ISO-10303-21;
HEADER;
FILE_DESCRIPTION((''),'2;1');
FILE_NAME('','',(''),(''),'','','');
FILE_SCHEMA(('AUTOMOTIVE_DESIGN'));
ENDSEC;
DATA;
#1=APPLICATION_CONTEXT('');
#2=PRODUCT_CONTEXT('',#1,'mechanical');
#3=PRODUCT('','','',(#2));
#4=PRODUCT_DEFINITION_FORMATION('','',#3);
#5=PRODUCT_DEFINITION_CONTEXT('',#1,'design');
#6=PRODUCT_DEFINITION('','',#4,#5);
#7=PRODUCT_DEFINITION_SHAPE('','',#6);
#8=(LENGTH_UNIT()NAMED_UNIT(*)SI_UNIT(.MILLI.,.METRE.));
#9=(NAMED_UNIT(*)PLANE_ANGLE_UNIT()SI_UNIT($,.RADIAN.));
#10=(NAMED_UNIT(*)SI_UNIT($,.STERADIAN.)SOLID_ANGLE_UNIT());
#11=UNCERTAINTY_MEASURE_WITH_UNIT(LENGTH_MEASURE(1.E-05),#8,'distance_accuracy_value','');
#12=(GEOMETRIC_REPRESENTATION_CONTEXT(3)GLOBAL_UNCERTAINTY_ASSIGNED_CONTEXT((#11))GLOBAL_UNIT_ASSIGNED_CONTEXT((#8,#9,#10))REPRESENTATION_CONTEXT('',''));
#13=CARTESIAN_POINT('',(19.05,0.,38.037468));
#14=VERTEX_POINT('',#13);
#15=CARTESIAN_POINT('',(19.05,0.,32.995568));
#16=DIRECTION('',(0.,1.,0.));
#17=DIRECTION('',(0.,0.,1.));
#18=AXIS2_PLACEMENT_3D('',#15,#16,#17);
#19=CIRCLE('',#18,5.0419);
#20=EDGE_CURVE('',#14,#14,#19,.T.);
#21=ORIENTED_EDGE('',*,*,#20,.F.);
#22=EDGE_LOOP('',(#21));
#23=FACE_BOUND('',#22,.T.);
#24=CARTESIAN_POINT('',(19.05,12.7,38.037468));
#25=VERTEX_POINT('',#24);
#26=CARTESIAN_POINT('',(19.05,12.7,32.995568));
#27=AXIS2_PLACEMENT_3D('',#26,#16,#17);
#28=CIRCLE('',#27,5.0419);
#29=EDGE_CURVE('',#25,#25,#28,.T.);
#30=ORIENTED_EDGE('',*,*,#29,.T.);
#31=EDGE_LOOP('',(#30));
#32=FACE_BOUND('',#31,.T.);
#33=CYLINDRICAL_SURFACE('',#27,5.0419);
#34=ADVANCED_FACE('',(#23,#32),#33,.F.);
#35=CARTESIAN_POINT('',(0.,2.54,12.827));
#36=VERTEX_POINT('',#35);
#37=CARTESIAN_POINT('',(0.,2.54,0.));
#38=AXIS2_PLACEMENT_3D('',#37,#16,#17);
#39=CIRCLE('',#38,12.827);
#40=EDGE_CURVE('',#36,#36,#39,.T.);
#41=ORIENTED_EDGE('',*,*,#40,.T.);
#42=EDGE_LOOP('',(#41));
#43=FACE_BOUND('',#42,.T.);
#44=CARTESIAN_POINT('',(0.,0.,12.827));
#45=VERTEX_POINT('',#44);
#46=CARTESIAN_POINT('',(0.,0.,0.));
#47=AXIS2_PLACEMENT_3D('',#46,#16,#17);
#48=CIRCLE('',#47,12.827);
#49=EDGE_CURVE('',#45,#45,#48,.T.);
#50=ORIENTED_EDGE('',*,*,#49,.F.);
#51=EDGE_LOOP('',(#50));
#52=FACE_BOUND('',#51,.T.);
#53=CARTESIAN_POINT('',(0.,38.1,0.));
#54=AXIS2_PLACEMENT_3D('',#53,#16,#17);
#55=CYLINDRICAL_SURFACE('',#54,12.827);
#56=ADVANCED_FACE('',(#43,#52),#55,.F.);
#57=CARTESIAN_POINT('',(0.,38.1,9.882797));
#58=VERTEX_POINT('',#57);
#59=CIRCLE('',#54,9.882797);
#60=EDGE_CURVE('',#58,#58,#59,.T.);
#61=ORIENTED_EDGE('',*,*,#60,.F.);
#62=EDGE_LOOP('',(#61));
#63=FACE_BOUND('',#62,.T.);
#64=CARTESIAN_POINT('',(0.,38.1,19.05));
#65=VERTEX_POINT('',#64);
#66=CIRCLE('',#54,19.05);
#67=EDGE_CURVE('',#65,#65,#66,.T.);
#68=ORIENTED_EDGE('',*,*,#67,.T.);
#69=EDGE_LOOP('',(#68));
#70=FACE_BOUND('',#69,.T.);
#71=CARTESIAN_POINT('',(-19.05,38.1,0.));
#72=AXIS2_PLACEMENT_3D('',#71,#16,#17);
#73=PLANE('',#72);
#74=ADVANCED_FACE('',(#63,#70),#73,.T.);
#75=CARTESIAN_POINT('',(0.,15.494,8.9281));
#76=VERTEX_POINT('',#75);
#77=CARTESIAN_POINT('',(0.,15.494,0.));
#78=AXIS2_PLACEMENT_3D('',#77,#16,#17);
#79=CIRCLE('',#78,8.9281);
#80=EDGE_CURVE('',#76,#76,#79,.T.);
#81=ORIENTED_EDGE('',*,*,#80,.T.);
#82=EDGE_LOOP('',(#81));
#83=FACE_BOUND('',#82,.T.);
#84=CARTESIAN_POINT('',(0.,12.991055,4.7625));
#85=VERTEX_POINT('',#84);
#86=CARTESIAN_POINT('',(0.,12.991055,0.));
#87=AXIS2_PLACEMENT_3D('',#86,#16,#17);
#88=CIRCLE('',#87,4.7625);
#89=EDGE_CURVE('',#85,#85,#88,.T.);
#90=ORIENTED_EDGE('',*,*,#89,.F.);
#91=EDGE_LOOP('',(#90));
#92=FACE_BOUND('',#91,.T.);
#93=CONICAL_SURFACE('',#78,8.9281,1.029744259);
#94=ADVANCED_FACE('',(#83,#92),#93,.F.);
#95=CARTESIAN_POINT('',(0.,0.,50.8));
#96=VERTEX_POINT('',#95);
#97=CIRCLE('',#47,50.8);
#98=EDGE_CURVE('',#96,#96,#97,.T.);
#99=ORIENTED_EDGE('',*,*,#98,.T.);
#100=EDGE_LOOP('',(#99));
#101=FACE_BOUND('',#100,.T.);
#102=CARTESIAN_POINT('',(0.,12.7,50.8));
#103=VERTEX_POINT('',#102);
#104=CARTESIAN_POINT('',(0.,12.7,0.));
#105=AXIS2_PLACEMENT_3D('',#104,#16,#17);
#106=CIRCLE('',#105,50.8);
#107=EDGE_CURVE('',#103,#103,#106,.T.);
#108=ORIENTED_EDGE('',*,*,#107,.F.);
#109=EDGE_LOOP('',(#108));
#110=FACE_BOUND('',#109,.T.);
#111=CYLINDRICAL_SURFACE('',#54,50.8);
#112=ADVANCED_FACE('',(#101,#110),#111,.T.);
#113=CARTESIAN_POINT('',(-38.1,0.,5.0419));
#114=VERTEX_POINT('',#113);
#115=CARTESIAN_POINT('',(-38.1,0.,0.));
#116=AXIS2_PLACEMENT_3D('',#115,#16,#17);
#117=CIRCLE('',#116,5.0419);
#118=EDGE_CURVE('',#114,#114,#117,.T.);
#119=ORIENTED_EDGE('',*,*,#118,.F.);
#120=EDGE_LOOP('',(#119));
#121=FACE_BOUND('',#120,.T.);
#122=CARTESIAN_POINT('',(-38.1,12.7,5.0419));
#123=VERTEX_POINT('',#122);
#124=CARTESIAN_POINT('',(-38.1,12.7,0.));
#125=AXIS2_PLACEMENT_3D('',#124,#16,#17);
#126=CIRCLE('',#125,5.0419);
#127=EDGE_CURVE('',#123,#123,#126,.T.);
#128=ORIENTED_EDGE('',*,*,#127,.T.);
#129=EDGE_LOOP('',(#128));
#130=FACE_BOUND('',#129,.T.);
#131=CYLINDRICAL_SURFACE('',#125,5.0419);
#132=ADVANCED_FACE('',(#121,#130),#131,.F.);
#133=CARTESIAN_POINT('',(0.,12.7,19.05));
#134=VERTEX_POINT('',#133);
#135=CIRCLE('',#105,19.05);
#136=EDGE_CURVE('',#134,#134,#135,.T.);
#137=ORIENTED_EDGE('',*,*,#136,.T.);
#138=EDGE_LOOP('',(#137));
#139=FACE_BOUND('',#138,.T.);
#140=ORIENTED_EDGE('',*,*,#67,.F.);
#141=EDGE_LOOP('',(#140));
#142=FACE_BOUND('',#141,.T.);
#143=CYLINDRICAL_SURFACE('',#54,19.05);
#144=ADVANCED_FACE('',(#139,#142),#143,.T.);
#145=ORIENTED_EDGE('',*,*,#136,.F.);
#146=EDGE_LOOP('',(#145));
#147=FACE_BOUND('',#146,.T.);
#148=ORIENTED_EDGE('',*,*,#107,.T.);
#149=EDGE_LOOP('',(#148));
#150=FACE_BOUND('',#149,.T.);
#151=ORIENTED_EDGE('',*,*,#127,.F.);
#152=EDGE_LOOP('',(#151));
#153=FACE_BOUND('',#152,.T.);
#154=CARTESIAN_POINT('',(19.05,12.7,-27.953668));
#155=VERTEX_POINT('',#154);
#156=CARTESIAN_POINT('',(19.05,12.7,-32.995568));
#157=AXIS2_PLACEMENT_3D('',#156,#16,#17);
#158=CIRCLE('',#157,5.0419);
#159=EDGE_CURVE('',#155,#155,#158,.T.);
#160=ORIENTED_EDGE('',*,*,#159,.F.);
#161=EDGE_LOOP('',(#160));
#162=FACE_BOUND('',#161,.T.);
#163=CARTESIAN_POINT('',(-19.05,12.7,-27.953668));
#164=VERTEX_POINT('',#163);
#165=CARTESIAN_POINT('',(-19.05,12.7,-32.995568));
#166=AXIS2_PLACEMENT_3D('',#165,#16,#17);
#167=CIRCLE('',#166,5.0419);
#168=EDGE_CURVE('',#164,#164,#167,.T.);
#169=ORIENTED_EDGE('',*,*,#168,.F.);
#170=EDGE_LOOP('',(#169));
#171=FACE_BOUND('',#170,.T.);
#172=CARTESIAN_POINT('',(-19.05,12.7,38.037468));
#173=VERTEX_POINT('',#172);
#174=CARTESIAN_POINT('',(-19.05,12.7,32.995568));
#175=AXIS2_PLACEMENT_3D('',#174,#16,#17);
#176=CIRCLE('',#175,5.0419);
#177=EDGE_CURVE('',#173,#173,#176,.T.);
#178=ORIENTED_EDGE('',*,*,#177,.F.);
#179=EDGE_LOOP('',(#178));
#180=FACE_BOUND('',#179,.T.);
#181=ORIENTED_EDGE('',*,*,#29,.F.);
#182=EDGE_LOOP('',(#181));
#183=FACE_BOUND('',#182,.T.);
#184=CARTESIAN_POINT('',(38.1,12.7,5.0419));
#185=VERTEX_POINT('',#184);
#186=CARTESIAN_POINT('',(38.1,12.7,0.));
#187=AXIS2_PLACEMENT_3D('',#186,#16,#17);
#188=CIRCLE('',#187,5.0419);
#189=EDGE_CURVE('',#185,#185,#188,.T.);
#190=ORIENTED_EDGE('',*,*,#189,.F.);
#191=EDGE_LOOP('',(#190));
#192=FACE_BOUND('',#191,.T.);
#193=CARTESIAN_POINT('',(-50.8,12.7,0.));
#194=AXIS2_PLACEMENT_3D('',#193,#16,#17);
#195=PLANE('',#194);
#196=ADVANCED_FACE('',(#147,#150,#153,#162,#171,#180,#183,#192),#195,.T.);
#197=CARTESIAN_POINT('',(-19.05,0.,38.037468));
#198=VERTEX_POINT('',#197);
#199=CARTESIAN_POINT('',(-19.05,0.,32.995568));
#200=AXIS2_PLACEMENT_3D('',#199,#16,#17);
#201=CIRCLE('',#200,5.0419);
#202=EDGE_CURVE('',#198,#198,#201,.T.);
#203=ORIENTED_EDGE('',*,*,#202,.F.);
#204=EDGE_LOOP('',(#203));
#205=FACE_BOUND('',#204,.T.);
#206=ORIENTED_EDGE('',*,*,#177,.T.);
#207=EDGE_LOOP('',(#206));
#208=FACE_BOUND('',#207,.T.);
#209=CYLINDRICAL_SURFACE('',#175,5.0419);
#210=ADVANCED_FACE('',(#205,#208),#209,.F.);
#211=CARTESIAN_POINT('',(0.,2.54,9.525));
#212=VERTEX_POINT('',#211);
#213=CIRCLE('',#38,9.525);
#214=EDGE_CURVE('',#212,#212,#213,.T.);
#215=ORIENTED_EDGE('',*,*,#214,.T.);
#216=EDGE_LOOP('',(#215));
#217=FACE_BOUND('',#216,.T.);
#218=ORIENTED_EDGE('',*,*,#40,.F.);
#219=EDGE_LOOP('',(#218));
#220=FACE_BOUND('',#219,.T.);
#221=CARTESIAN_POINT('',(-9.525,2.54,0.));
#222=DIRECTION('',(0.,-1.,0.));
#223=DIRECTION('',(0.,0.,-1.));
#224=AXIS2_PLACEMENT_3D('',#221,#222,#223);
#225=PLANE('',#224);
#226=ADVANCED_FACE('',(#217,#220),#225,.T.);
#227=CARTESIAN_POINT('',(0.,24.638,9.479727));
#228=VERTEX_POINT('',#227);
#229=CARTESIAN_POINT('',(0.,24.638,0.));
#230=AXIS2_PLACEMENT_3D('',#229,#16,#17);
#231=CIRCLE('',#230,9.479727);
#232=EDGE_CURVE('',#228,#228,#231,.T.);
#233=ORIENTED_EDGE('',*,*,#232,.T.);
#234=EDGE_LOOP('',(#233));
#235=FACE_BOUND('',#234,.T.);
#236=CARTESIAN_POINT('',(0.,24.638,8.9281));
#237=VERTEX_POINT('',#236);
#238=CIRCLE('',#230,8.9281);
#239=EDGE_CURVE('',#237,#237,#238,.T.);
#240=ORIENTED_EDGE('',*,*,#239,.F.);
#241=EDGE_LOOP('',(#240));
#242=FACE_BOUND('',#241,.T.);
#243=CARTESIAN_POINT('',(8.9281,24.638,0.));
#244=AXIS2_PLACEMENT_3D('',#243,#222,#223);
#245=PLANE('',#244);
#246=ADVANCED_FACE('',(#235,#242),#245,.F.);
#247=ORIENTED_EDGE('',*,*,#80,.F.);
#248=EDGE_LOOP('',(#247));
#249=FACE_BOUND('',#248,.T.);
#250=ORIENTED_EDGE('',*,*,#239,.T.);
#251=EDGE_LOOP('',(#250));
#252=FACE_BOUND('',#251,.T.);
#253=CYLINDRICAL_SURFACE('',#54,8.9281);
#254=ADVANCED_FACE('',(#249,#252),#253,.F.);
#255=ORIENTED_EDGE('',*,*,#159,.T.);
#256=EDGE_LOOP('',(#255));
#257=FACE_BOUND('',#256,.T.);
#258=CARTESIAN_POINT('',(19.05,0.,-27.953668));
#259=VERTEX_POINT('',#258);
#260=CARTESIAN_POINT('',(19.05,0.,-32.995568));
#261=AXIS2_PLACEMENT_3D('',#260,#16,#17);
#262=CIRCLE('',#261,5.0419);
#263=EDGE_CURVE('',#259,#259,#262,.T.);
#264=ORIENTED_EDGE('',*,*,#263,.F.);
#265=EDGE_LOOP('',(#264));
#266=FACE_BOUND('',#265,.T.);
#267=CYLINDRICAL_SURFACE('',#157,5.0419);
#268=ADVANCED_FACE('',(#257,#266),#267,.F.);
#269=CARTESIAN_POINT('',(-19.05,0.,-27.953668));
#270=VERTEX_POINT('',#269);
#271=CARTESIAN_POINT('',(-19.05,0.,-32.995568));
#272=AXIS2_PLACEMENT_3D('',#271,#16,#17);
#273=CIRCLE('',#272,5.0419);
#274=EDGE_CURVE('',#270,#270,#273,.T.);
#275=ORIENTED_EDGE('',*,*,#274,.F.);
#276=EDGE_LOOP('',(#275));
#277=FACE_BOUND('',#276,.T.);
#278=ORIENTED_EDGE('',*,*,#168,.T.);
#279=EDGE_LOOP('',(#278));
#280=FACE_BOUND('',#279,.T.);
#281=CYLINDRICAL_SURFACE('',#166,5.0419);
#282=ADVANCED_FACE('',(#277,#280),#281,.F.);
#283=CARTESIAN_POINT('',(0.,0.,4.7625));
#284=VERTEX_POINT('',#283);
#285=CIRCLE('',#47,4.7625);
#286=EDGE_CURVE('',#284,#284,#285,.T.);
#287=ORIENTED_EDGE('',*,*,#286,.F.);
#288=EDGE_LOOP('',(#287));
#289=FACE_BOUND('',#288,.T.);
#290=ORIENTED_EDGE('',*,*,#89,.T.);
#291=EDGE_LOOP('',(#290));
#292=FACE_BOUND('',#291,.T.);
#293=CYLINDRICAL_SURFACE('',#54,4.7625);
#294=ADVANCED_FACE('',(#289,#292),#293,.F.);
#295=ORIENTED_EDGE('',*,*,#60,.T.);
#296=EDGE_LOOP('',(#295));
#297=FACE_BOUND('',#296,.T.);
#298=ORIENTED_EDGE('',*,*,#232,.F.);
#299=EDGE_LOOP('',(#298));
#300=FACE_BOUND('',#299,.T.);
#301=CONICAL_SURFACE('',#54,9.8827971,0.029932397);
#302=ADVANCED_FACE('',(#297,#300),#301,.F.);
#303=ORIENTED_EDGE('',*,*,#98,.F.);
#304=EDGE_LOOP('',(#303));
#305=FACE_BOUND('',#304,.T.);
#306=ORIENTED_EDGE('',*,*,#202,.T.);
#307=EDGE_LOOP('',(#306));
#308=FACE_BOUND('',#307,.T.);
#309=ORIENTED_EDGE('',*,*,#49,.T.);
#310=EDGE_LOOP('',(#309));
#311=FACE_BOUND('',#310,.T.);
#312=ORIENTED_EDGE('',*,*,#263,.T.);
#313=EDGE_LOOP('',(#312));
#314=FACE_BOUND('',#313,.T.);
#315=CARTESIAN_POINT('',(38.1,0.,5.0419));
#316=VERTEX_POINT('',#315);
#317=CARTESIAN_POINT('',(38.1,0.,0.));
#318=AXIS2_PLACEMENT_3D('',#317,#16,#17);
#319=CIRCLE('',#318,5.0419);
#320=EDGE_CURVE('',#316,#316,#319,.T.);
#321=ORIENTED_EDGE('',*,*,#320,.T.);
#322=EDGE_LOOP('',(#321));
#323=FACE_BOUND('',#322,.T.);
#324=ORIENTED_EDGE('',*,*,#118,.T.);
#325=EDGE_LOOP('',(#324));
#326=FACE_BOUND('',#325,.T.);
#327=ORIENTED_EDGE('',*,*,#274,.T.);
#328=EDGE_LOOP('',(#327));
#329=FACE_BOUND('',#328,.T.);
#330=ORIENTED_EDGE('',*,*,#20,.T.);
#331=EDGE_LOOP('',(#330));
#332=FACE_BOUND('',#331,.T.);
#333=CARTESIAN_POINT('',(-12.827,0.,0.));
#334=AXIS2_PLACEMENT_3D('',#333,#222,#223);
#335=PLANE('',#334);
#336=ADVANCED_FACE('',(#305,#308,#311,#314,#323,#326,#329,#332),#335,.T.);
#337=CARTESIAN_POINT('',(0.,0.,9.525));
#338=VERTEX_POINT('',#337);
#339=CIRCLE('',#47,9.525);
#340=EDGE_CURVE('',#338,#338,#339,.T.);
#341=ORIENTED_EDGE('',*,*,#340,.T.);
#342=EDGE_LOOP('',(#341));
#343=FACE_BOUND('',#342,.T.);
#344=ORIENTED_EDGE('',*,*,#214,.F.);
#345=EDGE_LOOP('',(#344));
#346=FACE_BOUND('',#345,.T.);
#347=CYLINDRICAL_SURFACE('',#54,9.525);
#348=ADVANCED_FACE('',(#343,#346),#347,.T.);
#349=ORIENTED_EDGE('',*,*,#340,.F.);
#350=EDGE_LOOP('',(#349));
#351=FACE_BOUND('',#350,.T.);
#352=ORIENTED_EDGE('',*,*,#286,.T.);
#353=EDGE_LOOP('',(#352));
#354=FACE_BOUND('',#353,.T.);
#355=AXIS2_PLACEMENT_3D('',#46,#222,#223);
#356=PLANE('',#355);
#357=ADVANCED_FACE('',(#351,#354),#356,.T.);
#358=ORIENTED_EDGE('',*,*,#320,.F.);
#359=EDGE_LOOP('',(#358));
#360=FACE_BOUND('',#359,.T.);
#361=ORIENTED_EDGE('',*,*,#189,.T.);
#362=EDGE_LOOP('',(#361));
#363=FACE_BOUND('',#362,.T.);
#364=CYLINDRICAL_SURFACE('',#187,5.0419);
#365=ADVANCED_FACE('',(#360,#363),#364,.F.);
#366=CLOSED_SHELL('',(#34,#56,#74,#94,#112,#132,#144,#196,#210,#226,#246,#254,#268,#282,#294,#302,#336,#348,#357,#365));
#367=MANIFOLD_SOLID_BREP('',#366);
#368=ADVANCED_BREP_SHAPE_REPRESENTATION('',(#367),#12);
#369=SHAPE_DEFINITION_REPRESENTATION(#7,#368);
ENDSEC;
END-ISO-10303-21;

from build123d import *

# Parameters (mm, degrees)
F_3_8_0_375_DIAMETER_HOLE1_D = 9.525
F_3_8_CLEARANCE_HOLE1_D      = 10.0838
CIRPATTERN1_COUNT            = 6


with BuildPart() as part:
    # Sketch1 → Revolve1 (revolve)
    with BuildSketch(Plane.XY):
        Polygon((-12.827, 0), (-50.8, 0), (-50.8, 12.7), (-19.05, 12.7), (-19.05, 38.1), (0, 38.1), (0, 0), (-9.525, 0), (-9.525, 2.54), (-12.827, 2.54), align=None)
    revolve(axis=Axis((0, 38.1, 0), (0, -1, 0)))

    # 3/8 (0.375) Diameter Hole1 (through all)
    with Locations(Plane(origin=(0, 38.1, 0), x_dir=(1, 0, 0), z_dir=(0, 1, 0))):
        with Locations((0, 0)):
            Hole(F_3_8_0_375_DIAMETER_HOLE1_D / 2)

    # Sketch3 → 1/2 NPT Tapped Hole1 (revolve, cut)
    with BuildSketch(Plane(origin=(0, 38.1, 0), x_dir=(0, 0, 1), z_dir=(1, 0, 0))):
        Polygon((0, 0), (0, 27.970543693), (8.9281, 22.606), (8.9281, 13.462), (9.479726792, 13.462), (9.8827971, 0), align=None)
    revolve(axis=Axis((0, 44.45, 0), (0, -1, 0)), mode=Mode.SUBTRACT)

    # 3/8 Clearance Hole1 (through all)
    with Locations(Plane(origin=(0, 12.7, 0), x_dir=(1, 0, 0), z_dir=(0, 1, 0))):
        with Locations((38.1, 0)):
            f_3_8_clearance_hole1 = Hole(F_3_8_CLEARANCE_HOLE1_D / 2)

    # CirPattern1: 3/8 Clearance Hole1 ×6 about axis
    cirpattern1_axis = Axis((0, 0, 0), (0, 1, 0))
    for i in range(1, CIRPATTERN1_COUNT):
        add(f_3_8_clearance_hole1.rotate(cirpattern1_axis, i * 360 / CIRPATTERN1_COUNT), mode=Mode.SUBTRACT)


solid = part.part
